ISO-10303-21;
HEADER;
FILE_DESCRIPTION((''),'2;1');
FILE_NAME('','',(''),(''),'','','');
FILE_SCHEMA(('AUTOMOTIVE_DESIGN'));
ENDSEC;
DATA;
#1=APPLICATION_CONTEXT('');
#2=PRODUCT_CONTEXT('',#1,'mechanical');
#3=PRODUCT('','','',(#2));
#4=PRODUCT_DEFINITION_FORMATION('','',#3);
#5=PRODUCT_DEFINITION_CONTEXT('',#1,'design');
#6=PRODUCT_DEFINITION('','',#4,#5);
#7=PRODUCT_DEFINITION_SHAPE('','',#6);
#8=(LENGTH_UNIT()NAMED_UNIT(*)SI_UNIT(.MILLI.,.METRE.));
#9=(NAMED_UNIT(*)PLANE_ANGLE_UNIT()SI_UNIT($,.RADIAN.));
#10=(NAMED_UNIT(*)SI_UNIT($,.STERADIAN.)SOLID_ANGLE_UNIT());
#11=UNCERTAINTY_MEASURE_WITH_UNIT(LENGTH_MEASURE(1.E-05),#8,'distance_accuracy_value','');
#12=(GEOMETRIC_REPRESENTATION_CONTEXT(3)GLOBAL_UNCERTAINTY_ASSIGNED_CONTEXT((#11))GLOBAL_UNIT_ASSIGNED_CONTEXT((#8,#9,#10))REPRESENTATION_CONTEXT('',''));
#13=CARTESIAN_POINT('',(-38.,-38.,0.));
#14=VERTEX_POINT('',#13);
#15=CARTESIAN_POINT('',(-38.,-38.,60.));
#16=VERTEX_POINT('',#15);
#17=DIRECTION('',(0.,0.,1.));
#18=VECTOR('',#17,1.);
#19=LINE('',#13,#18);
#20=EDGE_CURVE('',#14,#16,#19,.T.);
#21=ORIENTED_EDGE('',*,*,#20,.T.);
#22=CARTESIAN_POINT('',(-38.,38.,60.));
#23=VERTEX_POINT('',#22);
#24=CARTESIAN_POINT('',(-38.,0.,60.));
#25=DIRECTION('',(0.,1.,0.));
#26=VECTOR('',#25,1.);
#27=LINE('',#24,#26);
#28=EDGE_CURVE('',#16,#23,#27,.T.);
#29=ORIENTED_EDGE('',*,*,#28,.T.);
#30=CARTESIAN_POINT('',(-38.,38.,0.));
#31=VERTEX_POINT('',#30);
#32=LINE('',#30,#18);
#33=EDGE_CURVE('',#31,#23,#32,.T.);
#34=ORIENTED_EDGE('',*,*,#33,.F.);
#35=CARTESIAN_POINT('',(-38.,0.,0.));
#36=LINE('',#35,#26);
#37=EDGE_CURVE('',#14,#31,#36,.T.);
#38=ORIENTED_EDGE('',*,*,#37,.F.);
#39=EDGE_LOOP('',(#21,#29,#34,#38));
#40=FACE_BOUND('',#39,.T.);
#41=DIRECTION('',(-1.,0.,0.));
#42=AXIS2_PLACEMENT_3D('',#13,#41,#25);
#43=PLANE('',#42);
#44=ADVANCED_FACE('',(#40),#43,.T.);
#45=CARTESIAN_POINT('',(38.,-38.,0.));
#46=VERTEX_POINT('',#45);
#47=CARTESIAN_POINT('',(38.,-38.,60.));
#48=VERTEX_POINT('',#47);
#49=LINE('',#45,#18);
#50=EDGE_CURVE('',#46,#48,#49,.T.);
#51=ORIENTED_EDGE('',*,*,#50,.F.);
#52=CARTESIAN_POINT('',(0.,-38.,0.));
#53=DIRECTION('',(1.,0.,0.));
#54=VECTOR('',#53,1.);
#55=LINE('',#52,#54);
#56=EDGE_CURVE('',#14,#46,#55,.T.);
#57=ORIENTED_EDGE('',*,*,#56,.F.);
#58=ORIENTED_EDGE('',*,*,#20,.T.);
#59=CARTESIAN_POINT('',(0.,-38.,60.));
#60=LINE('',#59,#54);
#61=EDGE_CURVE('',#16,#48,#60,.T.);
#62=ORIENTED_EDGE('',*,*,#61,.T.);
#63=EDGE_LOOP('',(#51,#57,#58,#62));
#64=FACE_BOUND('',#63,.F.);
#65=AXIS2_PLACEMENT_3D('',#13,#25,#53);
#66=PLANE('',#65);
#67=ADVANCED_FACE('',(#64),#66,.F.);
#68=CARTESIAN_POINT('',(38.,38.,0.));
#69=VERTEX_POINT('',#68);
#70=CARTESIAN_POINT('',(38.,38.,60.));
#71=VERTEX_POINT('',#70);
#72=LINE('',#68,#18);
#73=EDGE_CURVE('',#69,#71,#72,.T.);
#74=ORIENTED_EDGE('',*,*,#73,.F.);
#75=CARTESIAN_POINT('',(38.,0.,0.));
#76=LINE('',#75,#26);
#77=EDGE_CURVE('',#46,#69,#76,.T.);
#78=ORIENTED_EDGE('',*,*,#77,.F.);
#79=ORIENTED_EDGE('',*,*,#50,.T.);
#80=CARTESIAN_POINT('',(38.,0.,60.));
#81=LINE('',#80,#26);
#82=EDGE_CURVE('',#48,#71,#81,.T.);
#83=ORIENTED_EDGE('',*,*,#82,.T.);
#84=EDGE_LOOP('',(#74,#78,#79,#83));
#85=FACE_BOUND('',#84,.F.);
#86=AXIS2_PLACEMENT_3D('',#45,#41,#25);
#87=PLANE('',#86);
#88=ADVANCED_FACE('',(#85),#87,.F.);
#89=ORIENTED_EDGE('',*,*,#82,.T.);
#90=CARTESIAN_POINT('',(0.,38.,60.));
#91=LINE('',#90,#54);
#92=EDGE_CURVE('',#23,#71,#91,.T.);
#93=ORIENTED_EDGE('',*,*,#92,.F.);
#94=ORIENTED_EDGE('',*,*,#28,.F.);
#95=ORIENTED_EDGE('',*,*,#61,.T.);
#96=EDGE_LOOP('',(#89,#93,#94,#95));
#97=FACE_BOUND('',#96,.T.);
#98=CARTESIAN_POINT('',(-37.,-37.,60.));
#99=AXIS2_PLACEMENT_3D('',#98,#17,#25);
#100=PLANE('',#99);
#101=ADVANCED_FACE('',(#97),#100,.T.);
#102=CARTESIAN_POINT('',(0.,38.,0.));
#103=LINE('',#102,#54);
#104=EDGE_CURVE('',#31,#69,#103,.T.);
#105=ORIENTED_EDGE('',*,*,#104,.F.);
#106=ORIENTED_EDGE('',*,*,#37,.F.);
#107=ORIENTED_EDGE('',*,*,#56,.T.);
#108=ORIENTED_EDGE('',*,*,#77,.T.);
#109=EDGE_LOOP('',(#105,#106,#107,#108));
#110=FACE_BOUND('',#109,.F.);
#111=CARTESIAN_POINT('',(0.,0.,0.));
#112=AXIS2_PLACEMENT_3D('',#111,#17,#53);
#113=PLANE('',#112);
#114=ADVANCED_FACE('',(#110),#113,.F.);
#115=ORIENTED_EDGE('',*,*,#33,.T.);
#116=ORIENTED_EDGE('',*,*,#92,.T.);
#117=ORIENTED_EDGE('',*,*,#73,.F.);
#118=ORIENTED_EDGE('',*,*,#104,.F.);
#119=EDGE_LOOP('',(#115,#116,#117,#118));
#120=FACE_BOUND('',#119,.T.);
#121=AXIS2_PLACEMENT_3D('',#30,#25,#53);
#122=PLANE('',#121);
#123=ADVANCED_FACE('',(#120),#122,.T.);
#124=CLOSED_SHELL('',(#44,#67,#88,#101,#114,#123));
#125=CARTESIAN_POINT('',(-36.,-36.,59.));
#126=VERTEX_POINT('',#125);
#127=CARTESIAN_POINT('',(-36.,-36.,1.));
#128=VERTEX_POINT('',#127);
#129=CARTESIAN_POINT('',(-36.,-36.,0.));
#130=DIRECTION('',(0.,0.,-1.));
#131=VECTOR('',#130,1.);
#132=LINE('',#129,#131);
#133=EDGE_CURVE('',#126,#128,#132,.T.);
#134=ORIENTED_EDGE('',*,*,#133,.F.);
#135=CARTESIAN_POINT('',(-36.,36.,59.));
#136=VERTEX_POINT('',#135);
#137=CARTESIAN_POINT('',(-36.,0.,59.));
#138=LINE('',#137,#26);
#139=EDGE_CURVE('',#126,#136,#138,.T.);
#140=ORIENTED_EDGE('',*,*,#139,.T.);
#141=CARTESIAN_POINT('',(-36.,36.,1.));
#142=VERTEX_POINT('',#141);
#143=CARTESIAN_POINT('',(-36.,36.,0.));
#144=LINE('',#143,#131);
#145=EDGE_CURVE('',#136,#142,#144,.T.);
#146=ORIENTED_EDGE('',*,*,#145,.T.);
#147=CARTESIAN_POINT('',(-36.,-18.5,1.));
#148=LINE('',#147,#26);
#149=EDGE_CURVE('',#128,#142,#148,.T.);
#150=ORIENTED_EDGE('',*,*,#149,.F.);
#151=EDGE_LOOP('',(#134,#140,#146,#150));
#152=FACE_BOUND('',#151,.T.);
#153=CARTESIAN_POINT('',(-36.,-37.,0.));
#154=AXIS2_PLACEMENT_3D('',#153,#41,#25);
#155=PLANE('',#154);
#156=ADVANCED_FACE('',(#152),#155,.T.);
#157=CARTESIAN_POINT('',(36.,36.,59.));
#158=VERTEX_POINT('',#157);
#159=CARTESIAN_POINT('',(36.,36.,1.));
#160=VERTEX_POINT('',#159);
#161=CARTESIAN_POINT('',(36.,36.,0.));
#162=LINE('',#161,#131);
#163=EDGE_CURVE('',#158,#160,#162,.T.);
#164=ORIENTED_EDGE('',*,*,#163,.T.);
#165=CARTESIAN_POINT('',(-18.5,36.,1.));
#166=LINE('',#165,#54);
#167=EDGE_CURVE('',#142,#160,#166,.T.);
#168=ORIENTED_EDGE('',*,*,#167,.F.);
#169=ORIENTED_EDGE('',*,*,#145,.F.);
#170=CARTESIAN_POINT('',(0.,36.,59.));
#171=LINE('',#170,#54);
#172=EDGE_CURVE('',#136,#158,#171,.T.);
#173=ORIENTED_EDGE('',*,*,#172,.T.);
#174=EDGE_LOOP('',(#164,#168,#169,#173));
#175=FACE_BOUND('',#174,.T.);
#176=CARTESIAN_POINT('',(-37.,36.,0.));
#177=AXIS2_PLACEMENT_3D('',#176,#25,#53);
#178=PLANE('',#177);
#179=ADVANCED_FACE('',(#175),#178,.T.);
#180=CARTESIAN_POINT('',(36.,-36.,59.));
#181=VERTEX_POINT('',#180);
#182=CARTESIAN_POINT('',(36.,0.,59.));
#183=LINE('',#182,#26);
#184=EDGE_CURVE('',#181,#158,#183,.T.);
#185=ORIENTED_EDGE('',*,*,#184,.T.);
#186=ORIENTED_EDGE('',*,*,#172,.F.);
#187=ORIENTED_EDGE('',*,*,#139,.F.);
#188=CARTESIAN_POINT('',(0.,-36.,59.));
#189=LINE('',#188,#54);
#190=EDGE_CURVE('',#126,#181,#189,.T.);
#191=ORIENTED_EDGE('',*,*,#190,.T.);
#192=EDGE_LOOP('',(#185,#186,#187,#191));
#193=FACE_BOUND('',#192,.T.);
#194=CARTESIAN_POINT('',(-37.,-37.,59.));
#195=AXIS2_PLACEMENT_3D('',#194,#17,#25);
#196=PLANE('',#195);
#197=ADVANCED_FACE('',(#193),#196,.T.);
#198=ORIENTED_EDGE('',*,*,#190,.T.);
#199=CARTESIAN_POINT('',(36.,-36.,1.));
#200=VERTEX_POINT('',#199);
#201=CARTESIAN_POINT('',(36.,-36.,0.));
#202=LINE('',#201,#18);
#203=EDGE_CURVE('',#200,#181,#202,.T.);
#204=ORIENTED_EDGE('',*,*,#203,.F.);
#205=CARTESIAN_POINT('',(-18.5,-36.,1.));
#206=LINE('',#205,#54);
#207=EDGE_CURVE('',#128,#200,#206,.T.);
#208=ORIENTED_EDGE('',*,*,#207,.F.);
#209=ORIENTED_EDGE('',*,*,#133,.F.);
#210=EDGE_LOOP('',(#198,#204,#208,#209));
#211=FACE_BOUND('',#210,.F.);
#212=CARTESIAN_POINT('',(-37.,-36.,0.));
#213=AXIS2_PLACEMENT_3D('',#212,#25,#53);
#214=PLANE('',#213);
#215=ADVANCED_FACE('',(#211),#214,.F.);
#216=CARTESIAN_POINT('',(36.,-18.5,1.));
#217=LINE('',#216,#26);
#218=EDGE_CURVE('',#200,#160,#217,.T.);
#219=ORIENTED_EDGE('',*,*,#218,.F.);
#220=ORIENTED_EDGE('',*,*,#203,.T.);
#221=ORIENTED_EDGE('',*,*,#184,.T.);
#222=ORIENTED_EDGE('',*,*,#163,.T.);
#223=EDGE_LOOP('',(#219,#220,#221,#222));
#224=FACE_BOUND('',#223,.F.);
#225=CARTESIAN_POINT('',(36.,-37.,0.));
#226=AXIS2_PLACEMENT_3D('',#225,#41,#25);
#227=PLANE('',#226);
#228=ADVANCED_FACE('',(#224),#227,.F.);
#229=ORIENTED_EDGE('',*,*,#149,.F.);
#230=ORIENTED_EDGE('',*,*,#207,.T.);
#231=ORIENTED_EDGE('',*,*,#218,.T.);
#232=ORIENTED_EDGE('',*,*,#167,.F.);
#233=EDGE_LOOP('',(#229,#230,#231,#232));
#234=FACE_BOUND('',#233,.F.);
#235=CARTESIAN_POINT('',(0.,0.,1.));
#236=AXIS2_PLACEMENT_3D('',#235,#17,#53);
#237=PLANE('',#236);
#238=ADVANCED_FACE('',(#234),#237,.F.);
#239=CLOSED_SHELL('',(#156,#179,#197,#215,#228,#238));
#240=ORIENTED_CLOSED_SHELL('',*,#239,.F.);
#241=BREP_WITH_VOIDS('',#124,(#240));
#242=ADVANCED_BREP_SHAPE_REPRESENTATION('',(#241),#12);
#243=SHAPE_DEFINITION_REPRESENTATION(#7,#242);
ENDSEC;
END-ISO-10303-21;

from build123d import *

# Parameters (mm, degrees)
F0_W     = 74
F0_H     = 74
F1_DEPTH = 59
F2_T     = -1
F3_W     = 76
F3_H     = 76
F3_W_2   = 74
F3_H_2   = 74
F4_DEPTH = 60
F5_W     = 74
F5_H     = 1
F6_DEPTH = 74


with BuildPart() as f1:
    # F0 (on Top) → F1 (new body)
    with BuildSketch(Plane.XY):
        Rectangle(F0_W, F0_H)
    extrude(amount=F1_DEPTH)

    # F2
    f2_openings = [f1.faces().sort_by_distance(p)[0] for p in [
        (0, 0, 59),
    ]]
    offset(amount=F2_T, openings=f2_openings)

    # F3 (on Top) → F4 (join)
    with BuildSketch(Plane.XY):
        Rectangle(F3_W, F3_H)
        Rectangle(F3_W_2, F3_H_2, mode=Mode.SUBTRACT)
    extrude(amount=F4_DEPTH)

    # F5 (on face) → F6 (join, through all)
    with BuildSketch(Plane.YZ.offset(-37)):
        with Locations((0, 59.5)):
            Rectangle(F5_W, F5_H)
    extrude(amount=F6_DEPTH)


solid = f1.part
